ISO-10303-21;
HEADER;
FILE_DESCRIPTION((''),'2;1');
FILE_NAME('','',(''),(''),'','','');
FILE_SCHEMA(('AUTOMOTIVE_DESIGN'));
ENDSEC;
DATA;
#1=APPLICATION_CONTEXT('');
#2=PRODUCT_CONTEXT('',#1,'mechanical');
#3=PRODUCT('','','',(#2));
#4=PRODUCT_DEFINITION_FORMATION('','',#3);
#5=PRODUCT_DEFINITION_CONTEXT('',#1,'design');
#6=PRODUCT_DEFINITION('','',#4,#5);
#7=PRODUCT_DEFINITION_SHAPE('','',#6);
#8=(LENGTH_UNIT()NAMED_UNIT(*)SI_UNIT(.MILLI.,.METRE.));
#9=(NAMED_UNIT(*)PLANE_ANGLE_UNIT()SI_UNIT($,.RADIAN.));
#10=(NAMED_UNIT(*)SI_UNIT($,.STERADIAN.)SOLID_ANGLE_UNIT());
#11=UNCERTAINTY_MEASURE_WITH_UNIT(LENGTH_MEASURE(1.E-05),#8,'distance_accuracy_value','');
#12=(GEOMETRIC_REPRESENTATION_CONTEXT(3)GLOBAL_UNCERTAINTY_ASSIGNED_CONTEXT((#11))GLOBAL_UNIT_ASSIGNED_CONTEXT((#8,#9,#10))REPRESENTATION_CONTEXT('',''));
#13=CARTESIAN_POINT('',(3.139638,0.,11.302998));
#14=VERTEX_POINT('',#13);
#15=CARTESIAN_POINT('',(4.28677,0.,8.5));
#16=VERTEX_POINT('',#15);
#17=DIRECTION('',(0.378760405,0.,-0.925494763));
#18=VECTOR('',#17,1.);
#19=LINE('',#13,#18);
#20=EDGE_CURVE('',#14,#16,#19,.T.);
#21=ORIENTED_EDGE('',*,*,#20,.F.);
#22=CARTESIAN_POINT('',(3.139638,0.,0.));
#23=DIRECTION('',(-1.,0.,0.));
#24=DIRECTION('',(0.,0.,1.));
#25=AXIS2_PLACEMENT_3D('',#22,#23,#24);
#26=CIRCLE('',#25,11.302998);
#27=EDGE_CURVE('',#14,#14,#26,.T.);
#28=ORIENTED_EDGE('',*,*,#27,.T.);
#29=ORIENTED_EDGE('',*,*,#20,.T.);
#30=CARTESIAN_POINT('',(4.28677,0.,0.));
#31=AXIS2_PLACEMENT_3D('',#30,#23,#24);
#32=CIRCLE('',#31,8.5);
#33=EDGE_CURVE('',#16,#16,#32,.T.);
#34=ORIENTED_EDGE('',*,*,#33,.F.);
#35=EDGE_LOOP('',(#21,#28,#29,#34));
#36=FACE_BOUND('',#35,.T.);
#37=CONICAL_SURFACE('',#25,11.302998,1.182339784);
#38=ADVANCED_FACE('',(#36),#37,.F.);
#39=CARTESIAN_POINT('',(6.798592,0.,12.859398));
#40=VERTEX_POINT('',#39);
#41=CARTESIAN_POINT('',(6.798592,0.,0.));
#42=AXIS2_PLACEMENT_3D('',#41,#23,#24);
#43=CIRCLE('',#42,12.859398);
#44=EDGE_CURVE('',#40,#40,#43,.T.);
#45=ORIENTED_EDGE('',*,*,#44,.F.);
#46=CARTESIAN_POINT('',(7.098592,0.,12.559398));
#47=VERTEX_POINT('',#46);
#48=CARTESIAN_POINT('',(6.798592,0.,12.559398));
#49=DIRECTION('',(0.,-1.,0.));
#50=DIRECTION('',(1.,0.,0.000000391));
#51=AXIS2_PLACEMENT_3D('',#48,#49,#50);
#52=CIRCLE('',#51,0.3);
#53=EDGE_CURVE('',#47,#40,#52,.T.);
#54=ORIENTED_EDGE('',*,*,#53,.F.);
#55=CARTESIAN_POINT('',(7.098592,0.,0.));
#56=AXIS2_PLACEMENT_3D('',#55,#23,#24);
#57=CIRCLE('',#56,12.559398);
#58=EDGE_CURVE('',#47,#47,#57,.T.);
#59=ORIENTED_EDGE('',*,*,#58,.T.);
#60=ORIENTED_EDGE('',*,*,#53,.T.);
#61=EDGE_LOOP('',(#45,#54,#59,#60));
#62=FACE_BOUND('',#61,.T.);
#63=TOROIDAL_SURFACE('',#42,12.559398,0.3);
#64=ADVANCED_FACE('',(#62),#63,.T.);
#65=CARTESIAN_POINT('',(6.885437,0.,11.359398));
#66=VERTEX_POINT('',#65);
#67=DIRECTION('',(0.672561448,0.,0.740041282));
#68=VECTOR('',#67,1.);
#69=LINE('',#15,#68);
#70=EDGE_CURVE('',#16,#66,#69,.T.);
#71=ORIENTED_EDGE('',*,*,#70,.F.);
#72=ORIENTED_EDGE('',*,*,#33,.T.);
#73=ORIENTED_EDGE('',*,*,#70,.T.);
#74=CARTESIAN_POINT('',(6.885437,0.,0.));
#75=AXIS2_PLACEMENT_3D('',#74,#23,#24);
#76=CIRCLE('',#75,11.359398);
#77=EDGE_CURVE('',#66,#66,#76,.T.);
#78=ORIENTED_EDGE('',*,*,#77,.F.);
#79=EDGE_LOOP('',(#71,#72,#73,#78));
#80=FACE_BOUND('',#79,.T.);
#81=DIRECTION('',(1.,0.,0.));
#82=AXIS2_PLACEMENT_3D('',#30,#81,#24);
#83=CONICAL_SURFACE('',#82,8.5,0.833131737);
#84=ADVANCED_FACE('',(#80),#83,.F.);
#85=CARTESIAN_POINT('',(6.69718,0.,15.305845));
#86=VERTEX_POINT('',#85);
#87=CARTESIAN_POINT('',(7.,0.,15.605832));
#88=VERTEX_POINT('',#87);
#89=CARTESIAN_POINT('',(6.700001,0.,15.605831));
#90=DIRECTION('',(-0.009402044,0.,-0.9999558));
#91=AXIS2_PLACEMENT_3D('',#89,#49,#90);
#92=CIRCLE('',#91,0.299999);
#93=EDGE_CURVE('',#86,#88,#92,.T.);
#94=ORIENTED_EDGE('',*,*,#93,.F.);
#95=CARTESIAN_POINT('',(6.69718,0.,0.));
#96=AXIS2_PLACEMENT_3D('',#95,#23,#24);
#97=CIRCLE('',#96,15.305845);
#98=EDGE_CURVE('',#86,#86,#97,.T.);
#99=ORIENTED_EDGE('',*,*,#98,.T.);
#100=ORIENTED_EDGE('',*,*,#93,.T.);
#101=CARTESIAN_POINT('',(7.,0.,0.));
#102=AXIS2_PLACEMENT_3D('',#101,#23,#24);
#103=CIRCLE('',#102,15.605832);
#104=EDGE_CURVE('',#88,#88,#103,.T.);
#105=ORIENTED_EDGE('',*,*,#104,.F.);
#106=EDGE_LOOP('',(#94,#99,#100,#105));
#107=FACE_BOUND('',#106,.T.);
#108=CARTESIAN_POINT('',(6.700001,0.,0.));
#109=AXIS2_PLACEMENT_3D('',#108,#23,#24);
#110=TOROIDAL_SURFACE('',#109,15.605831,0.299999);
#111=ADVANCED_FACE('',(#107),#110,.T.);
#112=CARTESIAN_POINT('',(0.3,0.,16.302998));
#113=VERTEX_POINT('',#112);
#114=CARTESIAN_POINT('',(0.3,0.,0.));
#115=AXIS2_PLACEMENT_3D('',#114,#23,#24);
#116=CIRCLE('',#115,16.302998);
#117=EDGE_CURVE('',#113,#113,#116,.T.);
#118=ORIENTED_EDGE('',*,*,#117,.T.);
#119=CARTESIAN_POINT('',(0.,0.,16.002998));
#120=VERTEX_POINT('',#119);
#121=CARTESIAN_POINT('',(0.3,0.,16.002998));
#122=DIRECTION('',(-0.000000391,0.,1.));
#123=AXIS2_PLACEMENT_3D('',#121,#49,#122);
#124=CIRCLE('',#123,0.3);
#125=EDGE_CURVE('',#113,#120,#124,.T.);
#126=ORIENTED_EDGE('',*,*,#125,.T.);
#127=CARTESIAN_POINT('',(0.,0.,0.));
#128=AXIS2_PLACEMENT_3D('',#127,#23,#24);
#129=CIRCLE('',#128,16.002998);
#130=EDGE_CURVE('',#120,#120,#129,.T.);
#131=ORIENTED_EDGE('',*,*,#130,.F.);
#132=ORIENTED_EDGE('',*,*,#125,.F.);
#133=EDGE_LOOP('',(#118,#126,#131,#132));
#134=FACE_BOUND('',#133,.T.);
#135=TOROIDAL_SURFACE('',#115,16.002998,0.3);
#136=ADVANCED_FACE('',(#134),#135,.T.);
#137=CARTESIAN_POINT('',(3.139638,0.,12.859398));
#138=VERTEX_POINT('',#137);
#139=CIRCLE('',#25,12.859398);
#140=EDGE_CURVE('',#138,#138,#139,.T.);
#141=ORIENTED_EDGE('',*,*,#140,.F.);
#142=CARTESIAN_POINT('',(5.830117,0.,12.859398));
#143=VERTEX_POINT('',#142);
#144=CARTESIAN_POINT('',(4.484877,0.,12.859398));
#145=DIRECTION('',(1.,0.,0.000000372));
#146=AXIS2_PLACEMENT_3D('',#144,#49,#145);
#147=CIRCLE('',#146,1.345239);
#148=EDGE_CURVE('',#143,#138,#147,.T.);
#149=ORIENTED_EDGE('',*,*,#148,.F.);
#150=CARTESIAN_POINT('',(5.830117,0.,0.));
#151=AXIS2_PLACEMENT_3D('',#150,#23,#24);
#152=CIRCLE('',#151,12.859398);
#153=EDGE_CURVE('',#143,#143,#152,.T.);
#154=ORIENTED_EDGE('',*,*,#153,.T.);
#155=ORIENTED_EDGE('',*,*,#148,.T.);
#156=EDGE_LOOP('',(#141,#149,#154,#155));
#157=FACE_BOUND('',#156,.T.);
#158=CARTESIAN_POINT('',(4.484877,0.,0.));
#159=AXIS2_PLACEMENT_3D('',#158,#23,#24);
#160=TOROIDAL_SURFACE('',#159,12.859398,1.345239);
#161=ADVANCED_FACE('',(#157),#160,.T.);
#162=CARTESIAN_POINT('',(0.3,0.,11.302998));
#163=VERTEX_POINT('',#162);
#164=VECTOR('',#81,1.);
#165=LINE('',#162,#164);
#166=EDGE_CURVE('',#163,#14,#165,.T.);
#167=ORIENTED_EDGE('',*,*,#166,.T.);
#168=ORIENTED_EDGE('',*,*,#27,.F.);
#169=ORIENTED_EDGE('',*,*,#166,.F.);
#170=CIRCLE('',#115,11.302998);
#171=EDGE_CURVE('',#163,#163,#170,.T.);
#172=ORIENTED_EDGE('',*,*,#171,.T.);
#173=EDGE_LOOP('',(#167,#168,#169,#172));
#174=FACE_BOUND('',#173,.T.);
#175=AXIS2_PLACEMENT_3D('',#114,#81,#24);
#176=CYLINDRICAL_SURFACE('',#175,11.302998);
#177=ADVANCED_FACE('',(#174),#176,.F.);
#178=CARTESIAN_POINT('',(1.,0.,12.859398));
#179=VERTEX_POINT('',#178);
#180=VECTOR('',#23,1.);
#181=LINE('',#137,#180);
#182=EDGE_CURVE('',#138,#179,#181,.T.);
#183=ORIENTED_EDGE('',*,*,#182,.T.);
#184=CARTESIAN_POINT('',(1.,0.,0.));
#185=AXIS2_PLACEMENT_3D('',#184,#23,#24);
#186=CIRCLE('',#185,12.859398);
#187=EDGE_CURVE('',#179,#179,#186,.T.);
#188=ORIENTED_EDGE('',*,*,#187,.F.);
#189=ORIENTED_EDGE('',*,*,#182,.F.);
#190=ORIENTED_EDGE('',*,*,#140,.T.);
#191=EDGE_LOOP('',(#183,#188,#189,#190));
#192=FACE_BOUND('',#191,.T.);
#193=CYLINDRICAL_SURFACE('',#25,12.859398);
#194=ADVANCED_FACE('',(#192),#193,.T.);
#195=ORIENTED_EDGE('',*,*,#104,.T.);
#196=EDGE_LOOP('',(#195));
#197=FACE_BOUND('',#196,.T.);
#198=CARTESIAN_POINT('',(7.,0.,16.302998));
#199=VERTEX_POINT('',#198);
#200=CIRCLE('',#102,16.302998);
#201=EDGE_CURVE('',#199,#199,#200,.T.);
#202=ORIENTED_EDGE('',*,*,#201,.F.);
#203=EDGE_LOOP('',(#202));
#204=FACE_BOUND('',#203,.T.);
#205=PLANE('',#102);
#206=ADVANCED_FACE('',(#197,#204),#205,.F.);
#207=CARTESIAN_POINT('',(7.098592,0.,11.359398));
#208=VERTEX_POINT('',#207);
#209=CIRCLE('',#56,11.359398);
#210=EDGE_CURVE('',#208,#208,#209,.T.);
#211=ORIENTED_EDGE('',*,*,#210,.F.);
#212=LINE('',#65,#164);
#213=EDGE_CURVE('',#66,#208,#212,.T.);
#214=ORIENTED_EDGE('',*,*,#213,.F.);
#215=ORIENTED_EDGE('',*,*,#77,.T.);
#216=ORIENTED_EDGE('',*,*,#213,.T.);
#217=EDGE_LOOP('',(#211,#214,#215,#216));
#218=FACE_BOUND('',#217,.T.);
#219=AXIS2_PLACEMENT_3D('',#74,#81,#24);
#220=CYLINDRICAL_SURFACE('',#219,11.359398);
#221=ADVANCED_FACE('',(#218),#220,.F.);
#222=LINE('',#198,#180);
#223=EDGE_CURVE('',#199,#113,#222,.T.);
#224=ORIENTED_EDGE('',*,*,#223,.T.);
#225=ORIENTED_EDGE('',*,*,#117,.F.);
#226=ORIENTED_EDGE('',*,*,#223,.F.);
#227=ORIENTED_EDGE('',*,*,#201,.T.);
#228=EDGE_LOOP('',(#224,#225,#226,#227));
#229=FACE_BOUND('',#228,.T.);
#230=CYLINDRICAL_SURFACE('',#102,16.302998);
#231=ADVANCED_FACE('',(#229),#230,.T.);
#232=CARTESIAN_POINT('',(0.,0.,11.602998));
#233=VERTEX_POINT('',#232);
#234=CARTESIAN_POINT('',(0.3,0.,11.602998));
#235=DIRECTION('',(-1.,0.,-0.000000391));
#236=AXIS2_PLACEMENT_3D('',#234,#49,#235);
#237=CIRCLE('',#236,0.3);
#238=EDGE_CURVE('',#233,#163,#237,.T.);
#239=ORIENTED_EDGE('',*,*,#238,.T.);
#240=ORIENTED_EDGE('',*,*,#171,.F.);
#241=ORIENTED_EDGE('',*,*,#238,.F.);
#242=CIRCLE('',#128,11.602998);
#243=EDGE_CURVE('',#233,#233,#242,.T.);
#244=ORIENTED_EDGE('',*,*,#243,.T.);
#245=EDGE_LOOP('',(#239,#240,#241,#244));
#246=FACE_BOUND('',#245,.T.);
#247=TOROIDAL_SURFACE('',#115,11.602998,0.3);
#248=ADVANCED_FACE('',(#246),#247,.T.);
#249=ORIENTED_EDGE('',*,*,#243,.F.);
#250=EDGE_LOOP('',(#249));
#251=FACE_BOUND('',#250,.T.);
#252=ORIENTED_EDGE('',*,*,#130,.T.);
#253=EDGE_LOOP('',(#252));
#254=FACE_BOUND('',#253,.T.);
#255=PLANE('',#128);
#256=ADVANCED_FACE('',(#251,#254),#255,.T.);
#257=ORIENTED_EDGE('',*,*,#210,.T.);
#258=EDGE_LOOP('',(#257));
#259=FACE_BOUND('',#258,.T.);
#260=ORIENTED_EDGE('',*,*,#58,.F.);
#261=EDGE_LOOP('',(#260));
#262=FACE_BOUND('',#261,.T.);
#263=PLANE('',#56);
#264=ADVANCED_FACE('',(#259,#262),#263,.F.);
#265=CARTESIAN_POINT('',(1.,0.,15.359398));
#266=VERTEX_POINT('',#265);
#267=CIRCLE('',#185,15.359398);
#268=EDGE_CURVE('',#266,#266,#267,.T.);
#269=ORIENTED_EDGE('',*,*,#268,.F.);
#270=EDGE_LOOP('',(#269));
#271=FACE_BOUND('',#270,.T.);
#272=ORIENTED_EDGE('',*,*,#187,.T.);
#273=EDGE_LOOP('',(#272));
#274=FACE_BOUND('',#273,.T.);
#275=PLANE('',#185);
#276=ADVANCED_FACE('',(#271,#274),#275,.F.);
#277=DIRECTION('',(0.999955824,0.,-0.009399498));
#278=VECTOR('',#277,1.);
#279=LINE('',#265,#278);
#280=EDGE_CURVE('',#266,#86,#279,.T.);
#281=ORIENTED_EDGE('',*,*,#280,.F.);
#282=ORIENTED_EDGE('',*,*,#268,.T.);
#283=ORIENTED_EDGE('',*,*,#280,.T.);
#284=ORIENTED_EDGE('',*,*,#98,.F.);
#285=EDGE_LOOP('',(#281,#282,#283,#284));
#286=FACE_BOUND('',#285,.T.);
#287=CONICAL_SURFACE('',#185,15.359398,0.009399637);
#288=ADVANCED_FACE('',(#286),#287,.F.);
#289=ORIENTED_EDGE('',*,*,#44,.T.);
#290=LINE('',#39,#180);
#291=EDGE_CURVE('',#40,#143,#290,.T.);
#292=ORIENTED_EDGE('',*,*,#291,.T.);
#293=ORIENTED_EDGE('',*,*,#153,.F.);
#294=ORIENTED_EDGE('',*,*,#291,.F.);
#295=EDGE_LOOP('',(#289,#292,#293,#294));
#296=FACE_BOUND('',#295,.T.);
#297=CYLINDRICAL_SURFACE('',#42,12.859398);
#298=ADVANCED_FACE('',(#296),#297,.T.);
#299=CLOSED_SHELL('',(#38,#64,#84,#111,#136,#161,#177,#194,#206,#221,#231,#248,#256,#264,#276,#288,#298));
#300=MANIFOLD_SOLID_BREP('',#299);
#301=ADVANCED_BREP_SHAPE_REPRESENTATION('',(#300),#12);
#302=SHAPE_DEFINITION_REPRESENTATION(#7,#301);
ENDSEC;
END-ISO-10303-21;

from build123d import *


with BuildPart() as f1:
    # F0 (on Front) → F1 (revolve)
    with BuildSketch(Plane.XZ):
        with BuildLine():
            Line((7, 15.605832), (7, 16.302998))
            Line((7, 16.302998), (0.3, 16.302998))
            ThreePointArc((0.3, 16.302998), (0.087868, 16.21513), (0, 16.002998))
            Line((0, 16.002998), (0, 11.602998))
            ThreePointArc((0, 11.602998), (0.087868, 11.390866), (0.3, 11.302998))
            Line((0.3, 11.302998), (3.139638, 11.302998))
            Line((3.139638, 11.302998), (4.28677, 8.5))
            Line((4.28677, 8.5), (6.885437, 11.359398))
            Line((6.885437, 11.359398), (7.098592, 11.359398))
            Line((7.098592, 11.359398), (7.098592, 12.559398))
            ThreePointArc((7.098592, 12.559398), (7.010724, 12.77153), (6.798592, 12.859398))
            Line((6.798592, 12.859398), (5.830117, 12.859398))
            ThreePointArc((5.830117, 12.859398), (4.484877, 14.204637), (3.139638, 12.859398))
            Line((3.139638, 12.859398), (1, 12.859398))
            Line((1, 12.859398), (1, 15.359398))
            Line((1, 15.359398), (6.69718, 15.305845))
            ThreePointArc((6.69718, 15.305845), (6.911133, 15.392705), (7, 15.605832))
        make_face()
    revolve(axis=Axis((-12.718309, 0, 0), (-1, 0, 0)))


solid = f1.part
